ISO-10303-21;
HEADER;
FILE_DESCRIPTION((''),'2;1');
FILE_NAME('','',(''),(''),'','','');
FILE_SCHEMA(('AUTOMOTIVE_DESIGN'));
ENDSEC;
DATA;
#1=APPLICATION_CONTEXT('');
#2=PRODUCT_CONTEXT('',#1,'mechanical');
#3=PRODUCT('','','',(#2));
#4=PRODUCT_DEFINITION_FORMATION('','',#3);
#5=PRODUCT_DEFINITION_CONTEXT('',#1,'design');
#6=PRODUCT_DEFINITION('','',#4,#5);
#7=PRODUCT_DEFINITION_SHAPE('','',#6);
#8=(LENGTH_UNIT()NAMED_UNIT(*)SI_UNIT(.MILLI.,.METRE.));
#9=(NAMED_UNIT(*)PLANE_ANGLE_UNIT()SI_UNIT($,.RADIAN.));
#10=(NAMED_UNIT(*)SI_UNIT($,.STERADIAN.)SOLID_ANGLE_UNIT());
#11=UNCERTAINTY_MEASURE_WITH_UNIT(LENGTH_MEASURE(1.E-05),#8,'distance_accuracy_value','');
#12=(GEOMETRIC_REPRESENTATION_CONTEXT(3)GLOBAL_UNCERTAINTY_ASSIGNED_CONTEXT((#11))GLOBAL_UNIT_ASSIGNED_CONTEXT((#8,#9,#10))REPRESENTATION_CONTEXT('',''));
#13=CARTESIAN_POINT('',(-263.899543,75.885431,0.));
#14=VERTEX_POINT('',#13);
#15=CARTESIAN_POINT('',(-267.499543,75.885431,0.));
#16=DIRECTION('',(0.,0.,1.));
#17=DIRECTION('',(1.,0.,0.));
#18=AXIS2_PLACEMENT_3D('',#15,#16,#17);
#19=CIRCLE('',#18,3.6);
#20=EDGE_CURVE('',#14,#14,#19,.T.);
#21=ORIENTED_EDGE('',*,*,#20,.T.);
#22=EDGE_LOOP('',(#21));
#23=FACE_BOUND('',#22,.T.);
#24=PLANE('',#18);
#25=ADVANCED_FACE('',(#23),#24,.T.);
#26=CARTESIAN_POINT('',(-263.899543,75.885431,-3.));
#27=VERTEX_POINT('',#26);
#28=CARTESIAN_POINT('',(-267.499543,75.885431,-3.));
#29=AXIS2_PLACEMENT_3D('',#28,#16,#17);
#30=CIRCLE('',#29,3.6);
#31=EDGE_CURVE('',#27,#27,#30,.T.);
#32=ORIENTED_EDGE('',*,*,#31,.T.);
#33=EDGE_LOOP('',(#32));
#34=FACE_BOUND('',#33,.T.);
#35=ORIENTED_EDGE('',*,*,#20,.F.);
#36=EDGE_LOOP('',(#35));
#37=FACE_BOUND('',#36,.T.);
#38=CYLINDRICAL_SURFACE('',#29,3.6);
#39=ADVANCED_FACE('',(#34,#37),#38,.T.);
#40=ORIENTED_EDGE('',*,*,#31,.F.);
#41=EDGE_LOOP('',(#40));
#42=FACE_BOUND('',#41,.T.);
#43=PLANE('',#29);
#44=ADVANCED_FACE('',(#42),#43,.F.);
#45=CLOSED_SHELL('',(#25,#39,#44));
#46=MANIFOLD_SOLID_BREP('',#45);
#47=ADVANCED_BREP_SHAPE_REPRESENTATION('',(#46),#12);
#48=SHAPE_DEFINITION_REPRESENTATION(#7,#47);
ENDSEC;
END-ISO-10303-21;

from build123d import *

# Parameters (mm, degrees)
SKETCH_1_R      = 3.6
EXTRUDE_1_DEPTH = 3


with BuildPart() as part:
    # 草圖1 → 填料-伸長1 (new body)
    with BuildSketch(Plane.XY):
        with Locations((-267.499543018, 75.885430609)):
            Circle(SKETCH_1_R)
    extrude(amount=-EXTRUDE_1_DEPTH)


solid = part.part
